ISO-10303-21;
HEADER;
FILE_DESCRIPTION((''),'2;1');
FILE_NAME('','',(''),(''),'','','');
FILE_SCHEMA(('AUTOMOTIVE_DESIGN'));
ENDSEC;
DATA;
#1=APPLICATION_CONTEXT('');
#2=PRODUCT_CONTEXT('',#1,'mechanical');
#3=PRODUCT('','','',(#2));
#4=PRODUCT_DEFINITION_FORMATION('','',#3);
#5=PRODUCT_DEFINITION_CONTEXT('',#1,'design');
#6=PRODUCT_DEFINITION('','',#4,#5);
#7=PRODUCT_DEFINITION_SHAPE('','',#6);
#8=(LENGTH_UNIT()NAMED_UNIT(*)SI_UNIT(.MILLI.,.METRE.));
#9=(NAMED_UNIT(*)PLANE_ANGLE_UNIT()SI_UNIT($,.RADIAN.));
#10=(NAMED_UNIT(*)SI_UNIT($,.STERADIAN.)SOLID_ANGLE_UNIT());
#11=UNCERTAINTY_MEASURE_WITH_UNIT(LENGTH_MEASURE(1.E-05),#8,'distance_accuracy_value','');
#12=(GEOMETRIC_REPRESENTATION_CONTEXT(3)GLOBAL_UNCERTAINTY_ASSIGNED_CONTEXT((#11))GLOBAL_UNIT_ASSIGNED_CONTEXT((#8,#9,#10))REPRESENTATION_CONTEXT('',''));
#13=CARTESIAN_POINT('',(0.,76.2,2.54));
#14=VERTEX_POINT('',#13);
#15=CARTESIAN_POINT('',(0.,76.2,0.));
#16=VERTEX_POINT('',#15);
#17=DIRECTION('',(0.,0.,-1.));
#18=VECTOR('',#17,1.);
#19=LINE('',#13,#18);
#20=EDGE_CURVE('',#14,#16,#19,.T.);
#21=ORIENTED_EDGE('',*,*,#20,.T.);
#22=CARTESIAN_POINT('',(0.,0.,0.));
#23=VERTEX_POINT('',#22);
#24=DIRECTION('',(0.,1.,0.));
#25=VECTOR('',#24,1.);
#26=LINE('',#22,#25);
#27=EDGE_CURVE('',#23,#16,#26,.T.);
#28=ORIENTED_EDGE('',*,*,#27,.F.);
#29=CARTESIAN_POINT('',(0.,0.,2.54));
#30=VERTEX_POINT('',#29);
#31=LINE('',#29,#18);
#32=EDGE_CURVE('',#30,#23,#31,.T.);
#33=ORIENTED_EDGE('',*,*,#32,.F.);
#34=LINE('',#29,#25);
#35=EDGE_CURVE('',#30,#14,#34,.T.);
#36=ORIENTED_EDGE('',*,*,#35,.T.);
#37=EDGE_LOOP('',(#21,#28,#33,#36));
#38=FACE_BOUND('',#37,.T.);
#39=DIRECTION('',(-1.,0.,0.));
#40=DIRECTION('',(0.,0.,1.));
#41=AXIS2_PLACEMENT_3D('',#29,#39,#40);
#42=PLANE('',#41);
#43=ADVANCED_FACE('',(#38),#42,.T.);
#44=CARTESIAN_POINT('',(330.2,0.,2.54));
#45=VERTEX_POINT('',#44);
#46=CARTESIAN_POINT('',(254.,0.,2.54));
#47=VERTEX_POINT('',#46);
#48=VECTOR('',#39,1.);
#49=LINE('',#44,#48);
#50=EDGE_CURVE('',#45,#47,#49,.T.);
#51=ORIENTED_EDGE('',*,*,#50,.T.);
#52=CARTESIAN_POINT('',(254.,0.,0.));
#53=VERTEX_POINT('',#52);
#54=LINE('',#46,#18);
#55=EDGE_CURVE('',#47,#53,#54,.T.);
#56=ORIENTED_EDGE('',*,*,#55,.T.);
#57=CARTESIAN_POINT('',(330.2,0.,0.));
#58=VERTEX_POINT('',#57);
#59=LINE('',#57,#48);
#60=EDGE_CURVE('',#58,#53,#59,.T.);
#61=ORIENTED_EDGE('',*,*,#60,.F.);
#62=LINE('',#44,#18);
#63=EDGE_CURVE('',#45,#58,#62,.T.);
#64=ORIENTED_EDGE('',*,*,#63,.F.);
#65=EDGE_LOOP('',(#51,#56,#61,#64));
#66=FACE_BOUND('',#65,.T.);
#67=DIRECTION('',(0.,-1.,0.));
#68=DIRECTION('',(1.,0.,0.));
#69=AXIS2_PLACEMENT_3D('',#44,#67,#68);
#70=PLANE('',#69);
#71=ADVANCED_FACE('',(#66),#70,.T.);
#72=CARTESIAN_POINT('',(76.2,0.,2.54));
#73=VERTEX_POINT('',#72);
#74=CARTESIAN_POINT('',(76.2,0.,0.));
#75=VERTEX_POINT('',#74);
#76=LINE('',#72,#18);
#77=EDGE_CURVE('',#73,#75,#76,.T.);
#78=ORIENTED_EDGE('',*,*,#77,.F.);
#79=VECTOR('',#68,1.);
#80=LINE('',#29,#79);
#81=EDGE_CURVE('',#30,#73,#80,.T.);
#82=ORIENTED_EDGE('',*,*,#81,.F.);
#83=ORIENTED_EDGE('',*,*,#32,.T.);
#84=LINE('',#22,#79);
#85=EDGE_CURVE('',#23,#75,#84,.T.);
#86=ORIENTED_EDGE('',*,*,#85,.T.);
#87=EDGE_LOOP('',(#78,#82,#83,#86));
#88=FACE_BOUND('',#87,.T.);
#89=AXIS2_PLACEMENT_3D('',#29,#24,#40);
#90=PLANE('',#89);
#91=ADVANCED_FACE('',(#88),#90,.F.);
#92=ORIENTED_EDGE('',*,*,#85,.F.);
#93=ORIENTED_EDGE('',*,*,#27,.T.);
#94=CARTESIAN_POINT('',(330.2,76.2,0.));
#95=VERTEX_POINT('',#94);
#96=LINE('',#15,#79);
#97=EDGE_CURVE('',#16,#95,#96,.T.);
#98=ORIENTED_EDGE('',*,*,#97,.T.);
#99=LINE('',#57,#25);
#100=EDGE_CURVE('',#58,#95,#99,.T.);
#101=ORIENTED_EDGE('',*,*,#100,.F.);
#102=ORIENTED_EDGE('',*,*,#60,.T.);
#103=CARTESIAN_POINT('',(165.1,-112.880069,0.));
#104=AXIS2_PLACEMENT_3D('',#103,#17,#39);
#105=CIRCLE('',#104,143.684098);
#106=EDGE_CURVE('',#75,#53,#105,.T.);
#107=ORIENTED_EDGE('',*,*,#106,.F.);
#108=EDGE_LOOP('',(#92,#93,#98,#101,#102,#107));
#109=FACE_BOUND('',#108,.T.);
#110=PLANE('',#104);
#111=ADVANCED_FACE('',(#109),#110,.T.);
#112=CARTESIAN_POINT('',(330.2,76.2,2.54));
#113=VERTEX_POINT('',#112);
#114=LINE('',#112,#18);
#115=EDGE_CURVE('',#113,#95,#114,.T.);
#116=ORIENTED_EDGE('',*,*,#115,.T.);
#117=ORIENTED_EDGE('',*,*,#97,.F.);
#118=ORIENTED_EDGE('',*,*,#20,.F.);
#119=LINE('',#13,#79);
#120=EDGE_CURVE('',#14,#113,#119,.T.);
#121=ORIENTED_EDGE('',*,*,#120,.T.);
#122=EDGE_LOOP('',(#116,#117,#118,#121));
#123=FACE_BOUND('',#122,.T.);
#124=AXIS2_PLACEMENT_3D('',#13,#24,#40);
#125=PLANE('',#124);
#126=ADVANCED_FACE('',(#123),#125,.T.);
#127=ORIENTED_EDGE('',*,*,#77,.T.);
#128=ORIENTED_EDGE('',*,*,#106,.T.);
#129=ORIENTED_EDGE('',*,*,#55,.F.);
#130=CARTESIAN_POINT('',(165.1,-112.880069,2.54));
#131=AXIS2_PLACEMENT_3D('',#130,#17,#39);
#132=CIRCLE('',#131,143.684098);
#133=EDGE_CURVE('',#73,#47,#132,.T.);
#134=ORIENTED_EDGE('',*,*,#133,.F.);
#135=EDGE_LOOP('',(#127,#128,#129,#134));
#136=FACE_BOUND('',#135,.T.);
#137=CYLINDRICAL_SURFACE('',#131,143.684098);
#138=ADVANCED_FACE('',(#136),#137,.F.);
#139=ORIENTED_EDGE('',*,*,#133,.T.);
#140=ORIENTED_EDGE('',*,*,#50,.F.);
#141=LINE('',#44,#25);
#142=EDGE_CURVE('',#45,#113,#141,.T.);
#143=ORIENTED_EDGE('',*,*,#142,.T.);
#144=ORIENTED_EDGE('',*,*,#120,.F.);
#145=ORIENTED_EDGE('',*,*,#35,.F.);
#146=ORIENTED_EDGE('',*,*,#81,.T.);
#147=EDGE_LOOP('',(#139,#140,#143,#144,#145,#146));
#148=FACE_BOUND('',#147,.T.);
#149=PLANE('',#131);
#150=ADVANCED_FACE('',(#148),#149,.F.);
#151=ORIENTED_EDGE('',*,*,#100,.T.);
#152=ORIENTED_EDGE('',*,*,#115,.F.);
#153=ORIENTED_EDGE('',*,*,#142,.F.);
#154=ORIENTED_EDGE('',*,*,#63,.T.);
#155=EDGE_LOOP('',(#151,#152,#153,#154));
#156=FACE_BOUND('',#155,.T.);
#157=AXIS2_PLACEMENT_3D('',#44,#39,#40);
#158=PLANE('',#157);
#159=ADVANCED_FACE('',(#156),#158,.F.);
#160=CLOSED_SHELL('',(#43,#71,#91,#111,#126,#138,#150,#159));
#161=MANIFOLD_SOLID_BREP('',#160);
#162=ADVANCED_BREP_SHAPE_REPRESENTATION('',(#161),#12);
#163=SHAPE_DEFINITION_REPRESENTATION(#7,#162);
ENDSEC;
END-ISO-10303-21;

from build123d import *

# Parameters (mm, degrees)
BOSS_EXTRUDE1_DEPTH = 2.54


with BuildPart() as part:
    # Sketch1 → Boss-Extrude1 (new body)
    with BuildSketch(Plane.XY):
        with BuildLine():
            Line((0, 0), (76.2, 0))
            ThreePointArc((76.2, 0), (165.1, 30.804028837), (254, 0))
            Line((254, 0), (330.2, 0))
            Line((330.2, 0), (330.2, 76.2))
            Line((330.2, 76.2), (0, 76.2))
            Line((0, 76.2), (0, 0))
        make_face()
    extrude(amount=BOSS_EXTRUDE1_DEPTH)


solid = part.part
